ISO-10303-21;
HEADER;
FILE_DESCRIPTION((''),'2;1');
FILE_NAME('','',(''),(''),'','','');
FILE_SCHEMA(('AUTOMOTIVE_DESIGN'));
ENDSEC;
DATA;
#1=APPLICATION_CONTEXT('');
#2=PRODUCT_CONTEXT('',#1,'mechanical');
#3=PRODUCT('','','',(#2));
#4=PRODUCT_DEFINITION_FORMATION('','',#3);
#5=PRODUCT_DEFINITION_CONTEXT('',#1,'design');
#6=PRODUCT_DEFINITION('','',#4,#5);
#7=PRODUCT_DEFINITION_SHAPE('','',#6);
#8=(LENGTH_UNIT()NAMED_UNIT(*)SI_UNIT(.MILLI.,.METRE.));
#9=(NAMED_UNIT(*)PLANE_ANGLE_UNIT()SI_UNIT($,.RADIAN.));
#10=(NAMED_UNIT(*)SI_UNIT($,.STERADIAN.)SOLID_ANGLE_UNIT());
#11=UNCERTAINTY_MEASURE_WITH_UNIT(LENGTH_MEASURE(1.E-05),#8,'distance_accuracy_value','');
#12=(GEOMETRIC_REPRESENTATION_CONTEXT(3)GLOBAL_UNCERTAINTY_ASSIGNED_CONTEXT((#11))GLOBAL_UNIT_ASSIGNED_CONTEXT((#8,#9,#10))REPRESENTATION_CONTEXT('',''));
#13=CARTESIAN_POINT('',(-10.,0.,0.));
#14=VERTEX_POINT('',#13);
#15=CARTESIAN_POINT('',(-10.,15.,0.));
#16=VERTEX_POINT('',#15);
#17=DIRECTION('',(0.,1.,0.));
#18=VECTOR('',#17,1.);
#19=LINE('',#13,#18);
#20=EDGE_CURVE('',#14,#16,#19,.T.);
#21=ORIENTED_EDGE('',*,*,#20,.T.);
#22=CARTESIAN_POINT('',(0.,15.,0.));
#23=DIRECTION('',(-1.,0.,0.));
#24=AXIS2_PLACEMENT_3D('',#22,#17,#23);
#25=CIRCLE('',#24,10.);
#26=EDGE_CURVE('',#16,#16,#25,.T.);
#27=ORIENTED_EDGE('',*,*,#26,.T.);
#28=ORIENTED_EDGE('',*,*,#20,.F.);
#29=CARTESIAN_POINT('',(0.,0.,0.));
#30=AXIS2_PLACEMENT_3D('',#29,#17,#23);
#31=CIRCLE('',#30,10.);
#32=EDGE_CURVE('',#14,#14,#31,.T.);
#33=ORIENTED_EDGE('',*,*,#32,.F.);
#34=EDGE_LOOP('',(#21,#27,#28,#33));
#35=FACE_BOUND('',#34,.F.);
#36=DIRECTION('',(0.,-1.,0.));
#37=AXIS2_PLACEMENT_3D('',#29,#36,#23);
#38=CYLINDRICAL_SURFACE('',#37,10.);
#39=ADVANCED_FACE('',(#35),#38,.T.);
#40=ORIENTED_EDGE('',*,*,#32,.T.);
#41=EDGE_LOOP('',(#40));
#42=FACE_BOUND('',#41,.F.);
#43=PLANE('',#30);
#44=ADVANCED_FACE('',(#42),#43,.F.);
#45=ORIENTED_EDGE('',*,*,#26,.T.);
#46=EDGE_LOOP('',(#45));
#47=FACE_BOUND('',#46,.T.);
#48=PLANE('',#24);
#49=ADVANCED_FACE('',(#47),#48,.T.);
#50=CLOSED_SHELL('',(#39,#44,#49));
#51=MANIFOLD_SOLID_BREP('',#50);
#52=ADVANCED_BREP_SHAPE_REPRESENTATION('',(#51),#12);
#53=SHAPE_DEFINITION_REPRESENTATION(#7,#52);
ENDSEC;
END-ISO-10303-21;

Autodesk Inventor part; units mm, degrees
ref_plane "YZ Plane" through (0, 0, 0) normal (1, 0, 0) x (0, 1, 0)
ref_plane "XZ Plane" through (0, 0, 0) normal (0, 1, 0) x (-1, 0, 0)
ref_plane "XY Plane" through (0, 0, 0) normal (0, 0, 1) x (1, 0, 0)
sketch "Sketch1" plane through (0, 0, 0) normal (0, 1, 0) x (-1, 0, 0)
  circle A0 centre (0, 0) radius 10
  dimension "d0" = 20
extrude "Extrusion1" add sketch "Sketch1" along normal blind 15
properties part number "Electromagnet"
